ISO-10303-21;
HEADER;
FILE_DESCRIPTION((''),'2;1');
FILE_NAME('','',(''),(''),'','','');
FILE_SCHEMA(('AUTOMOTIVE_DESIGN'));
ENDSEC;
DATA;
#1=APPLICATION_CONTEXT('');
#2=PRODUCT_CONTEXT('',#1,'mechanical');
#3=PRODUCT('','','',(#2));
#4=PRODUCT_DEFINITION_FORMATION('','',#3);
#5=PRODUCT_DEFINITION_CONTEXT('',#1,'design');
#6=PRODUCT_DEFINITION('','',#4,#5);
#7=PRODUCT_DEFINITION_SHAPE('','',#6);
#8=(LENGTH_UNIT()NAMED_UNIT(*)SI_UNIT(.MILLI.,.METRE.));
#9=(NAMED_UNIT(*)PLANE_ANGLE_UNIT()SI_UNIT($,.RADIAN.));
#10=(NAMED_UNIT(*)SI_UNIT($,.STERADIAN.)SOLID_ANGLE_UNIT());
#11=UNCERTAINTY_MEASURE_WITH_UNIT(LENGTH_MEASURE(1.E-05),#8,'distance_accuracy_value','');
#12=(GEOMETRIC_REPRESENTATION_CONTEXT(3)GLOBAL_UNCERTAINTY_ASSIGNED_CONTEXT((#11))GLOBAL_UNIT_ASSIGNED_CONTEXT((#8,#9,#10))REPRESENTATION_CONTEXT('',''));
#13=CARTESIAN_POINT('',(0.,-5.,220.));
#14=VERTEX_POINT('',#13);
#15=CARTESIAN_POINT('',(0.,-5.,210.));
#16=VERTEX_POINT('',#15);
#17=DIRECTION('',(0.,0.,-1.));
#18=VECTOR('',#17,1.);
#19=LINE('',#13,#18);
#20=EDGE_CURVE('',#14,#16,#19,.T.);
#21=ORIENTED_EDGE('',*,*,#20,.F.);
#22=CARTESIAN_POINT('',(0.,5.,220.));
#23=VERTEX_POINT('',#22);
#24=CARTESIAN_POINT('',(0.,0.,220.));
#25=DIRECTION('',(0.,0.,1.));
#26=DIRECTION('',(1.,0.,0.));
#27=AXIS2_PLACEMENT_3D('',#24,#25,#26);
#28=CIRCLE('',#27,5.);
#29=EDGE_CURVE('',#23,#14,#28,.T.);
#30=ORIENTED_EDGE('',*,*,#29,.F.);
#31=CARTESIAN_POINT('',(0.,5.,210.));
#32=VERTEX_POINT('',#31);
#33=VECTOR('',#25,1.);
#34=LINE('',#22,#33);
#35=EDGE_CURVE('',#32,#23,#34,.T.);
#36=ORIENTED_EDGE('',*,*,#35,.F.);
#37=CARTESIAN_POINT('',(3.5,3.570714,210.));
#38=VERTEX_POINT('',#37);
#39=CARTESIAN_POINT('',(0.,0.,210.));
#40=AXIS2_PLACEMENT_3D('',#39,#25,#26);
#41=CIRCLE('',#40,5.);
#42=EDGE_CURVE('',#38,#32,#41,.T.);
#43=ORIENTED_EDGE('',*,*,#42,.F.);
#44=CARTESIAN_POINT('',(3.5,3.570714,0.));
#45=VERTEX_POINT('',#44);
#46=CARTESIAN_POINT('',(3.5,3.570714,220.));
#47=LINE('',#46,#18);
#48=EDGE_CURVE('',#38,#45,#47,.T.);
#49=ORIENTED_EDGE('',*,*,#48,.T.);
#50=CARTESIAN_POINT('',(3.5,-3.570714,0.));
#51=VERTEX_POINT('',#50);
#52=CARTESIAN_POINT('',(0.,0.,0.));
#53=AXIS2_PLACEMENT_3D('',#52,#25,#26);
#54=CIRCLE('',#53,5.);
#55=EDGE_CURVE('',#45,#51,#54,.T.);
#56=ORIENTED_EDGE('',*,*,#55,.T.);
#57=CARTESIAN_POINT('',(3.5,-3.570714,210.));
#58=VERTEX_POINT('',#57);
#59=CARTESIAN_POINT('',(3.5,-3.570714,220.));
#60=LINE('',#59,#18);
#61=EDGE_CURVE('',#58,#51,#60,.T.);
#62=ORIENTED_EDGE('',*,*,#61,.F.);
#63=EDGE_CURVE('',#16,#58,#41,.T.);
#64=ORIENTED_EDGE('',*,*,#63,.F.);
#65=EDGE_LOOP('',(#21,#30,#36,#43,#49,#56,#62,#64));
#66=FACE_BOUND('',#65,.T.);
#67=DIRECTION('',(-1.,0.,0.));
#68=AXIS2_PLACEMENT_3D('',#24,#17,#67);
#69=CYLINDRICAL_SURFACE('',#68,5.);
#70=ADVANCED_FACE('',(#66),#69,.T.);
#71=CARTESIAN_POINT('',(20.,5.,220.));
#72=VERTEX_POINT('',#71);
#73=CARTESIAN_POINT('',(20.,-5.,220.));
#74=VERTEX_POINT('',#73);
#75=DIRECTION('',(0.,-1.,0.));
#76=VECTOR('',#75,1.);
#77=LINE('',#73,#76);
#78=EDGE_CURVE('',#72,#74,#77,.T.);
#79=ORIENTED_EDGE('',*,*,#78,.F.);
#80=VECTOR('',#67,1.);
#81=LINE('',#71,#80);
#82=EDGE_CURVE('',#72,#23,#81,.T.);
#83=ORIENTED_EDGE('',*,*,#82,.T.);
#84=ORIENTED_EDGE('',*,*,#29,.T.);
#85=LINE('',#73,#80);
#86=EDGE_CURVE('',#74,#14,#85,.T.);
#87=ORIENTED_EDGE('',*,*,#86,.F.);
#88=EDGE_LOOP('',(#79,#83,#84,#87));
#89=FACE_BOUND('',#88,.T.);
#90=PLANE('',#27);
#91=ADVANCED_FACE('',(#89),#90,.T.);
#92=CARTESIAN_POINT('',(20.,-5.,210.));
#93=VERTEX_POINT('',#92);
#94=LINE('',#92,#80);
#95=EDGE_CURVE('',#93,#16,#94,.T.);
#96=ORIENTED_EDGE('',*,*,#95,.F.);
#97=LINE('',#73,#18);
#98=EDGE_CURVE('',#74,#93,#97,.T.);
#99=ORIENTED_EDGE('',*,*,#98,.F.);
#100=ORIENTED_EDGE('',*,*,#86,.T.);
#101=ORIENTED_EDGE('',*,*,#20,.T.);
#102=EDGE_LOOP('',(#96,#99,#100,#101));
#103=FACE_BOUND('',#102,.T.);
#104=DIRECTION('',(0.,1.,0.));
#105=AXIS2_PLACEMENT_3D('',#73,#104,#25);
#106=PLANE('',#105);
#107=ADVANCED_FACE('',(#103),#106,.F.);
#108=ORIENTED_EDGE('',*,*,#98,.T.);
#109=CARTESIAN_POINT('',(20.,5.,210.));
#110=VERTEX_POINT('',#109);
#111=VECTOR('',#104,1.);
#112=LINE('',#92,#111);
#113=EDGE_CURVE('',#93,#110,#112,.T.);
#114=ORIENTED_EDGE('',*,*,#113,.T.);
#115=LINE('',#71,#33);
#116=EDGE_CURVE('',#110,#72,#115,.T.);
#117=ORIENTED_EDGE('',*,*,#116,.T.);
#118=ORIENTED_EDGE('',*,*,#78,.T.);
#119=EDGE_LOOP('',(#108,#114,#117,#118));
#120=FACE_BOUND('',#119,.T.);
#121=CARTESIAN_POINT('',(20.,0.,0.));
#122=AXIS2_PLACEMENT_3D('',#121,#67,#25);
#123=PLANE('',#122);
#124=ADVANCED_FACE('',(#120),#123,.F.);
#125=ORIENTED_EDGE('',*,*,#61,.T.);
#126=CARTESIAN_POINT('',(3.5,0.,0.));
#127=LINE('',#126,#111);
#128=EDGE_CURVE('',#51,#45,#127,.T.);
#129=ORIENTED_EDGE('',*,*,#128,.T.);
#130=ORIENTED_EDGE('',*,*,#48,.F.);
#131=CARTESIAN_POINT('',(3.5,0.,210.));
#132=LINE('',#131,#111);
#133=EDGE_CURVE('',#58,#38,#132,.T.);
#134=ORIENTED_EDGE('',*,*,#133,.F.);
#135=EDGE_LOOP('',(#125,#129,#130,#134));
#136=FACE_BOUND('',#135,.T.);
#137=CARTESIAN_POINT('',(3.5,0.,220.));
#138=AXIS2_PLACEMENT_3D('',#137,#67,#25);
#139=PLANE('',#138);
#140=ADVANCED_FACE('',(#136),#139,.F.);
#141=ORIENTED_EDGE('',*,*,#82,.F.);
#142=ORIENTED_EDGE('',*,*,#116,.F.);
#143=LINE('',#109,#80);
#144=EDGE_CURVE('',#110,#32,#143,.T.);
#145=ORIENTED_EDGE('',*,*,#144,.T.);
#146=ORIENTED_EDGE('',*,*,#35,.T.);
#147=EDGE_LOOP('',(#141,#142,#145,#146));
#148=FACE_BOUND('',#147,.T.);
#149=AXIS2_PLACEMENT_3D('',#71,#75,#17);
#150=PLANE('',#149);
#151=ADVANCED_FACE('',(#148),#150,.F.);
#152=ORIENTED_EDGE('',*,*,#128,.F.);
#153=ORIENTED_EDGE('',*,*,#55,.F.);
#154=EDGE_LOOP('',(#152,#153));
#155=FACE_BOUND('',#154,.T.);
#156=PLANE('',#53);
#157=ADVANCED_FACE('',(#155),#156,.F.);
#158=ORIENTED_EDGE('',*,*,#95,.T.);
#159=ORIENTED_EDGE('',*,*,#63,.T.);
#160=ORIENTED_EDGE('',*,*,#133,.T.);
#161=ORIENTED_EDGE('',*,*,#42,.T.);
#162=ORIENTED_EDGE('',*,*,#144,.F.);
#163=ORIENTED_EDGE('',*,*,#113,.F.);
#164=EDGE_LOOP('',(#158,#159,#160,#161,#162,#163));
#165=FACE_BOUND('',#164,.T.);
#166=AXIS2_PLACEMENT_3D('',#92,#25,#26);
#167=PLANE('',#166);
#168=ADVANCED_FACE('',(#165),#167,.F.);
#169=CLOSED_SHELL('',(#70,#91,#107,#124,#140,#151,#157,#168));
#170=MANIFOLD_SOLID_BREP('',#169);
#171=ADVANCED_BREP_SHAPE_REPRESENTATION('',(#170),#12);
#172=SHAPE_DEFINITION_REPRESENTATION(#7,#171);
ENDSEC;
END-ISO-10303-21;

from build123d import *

# Parameters (mm, degrees)
RESSALTO_EXTRUS_O1_DEPTH = 220
ESBO_O2_W                = 10
ESBO_O2_H                = 10
RESSALTO_EXTRUS_O2_DEPTH = 20


with BuildPart() as part:
    # Esboço1 → Ressalto-extrusão1 (new body)
    with BuildSketch(Plane.XY):
        with BuildLine():
            ThreePointArc((3.5, 3.570714214), (-5, 0), (3.5, -3.570714214))
            Line((3.5, -3.570714214), (3.5, 3.570714214))
        make_face()
    extrude(amount=RESSALTO_EXTRUS_O1_DEPTH)

    # Esboço2 → Ressalto-extrusão2 (add)
    with BuildSketch(Plane(origin=(0, 0, 0), x_dir=(0, 0, -1), z_dir=(1, 0, 0))):
        with Locations((-215, 0)):
            Rectangle(ESBO_O2_W, ESBO_O2_H)
    extrude(amount=RESSALTO_EXTRUS_O2_DEPTH)


solid = part.part
